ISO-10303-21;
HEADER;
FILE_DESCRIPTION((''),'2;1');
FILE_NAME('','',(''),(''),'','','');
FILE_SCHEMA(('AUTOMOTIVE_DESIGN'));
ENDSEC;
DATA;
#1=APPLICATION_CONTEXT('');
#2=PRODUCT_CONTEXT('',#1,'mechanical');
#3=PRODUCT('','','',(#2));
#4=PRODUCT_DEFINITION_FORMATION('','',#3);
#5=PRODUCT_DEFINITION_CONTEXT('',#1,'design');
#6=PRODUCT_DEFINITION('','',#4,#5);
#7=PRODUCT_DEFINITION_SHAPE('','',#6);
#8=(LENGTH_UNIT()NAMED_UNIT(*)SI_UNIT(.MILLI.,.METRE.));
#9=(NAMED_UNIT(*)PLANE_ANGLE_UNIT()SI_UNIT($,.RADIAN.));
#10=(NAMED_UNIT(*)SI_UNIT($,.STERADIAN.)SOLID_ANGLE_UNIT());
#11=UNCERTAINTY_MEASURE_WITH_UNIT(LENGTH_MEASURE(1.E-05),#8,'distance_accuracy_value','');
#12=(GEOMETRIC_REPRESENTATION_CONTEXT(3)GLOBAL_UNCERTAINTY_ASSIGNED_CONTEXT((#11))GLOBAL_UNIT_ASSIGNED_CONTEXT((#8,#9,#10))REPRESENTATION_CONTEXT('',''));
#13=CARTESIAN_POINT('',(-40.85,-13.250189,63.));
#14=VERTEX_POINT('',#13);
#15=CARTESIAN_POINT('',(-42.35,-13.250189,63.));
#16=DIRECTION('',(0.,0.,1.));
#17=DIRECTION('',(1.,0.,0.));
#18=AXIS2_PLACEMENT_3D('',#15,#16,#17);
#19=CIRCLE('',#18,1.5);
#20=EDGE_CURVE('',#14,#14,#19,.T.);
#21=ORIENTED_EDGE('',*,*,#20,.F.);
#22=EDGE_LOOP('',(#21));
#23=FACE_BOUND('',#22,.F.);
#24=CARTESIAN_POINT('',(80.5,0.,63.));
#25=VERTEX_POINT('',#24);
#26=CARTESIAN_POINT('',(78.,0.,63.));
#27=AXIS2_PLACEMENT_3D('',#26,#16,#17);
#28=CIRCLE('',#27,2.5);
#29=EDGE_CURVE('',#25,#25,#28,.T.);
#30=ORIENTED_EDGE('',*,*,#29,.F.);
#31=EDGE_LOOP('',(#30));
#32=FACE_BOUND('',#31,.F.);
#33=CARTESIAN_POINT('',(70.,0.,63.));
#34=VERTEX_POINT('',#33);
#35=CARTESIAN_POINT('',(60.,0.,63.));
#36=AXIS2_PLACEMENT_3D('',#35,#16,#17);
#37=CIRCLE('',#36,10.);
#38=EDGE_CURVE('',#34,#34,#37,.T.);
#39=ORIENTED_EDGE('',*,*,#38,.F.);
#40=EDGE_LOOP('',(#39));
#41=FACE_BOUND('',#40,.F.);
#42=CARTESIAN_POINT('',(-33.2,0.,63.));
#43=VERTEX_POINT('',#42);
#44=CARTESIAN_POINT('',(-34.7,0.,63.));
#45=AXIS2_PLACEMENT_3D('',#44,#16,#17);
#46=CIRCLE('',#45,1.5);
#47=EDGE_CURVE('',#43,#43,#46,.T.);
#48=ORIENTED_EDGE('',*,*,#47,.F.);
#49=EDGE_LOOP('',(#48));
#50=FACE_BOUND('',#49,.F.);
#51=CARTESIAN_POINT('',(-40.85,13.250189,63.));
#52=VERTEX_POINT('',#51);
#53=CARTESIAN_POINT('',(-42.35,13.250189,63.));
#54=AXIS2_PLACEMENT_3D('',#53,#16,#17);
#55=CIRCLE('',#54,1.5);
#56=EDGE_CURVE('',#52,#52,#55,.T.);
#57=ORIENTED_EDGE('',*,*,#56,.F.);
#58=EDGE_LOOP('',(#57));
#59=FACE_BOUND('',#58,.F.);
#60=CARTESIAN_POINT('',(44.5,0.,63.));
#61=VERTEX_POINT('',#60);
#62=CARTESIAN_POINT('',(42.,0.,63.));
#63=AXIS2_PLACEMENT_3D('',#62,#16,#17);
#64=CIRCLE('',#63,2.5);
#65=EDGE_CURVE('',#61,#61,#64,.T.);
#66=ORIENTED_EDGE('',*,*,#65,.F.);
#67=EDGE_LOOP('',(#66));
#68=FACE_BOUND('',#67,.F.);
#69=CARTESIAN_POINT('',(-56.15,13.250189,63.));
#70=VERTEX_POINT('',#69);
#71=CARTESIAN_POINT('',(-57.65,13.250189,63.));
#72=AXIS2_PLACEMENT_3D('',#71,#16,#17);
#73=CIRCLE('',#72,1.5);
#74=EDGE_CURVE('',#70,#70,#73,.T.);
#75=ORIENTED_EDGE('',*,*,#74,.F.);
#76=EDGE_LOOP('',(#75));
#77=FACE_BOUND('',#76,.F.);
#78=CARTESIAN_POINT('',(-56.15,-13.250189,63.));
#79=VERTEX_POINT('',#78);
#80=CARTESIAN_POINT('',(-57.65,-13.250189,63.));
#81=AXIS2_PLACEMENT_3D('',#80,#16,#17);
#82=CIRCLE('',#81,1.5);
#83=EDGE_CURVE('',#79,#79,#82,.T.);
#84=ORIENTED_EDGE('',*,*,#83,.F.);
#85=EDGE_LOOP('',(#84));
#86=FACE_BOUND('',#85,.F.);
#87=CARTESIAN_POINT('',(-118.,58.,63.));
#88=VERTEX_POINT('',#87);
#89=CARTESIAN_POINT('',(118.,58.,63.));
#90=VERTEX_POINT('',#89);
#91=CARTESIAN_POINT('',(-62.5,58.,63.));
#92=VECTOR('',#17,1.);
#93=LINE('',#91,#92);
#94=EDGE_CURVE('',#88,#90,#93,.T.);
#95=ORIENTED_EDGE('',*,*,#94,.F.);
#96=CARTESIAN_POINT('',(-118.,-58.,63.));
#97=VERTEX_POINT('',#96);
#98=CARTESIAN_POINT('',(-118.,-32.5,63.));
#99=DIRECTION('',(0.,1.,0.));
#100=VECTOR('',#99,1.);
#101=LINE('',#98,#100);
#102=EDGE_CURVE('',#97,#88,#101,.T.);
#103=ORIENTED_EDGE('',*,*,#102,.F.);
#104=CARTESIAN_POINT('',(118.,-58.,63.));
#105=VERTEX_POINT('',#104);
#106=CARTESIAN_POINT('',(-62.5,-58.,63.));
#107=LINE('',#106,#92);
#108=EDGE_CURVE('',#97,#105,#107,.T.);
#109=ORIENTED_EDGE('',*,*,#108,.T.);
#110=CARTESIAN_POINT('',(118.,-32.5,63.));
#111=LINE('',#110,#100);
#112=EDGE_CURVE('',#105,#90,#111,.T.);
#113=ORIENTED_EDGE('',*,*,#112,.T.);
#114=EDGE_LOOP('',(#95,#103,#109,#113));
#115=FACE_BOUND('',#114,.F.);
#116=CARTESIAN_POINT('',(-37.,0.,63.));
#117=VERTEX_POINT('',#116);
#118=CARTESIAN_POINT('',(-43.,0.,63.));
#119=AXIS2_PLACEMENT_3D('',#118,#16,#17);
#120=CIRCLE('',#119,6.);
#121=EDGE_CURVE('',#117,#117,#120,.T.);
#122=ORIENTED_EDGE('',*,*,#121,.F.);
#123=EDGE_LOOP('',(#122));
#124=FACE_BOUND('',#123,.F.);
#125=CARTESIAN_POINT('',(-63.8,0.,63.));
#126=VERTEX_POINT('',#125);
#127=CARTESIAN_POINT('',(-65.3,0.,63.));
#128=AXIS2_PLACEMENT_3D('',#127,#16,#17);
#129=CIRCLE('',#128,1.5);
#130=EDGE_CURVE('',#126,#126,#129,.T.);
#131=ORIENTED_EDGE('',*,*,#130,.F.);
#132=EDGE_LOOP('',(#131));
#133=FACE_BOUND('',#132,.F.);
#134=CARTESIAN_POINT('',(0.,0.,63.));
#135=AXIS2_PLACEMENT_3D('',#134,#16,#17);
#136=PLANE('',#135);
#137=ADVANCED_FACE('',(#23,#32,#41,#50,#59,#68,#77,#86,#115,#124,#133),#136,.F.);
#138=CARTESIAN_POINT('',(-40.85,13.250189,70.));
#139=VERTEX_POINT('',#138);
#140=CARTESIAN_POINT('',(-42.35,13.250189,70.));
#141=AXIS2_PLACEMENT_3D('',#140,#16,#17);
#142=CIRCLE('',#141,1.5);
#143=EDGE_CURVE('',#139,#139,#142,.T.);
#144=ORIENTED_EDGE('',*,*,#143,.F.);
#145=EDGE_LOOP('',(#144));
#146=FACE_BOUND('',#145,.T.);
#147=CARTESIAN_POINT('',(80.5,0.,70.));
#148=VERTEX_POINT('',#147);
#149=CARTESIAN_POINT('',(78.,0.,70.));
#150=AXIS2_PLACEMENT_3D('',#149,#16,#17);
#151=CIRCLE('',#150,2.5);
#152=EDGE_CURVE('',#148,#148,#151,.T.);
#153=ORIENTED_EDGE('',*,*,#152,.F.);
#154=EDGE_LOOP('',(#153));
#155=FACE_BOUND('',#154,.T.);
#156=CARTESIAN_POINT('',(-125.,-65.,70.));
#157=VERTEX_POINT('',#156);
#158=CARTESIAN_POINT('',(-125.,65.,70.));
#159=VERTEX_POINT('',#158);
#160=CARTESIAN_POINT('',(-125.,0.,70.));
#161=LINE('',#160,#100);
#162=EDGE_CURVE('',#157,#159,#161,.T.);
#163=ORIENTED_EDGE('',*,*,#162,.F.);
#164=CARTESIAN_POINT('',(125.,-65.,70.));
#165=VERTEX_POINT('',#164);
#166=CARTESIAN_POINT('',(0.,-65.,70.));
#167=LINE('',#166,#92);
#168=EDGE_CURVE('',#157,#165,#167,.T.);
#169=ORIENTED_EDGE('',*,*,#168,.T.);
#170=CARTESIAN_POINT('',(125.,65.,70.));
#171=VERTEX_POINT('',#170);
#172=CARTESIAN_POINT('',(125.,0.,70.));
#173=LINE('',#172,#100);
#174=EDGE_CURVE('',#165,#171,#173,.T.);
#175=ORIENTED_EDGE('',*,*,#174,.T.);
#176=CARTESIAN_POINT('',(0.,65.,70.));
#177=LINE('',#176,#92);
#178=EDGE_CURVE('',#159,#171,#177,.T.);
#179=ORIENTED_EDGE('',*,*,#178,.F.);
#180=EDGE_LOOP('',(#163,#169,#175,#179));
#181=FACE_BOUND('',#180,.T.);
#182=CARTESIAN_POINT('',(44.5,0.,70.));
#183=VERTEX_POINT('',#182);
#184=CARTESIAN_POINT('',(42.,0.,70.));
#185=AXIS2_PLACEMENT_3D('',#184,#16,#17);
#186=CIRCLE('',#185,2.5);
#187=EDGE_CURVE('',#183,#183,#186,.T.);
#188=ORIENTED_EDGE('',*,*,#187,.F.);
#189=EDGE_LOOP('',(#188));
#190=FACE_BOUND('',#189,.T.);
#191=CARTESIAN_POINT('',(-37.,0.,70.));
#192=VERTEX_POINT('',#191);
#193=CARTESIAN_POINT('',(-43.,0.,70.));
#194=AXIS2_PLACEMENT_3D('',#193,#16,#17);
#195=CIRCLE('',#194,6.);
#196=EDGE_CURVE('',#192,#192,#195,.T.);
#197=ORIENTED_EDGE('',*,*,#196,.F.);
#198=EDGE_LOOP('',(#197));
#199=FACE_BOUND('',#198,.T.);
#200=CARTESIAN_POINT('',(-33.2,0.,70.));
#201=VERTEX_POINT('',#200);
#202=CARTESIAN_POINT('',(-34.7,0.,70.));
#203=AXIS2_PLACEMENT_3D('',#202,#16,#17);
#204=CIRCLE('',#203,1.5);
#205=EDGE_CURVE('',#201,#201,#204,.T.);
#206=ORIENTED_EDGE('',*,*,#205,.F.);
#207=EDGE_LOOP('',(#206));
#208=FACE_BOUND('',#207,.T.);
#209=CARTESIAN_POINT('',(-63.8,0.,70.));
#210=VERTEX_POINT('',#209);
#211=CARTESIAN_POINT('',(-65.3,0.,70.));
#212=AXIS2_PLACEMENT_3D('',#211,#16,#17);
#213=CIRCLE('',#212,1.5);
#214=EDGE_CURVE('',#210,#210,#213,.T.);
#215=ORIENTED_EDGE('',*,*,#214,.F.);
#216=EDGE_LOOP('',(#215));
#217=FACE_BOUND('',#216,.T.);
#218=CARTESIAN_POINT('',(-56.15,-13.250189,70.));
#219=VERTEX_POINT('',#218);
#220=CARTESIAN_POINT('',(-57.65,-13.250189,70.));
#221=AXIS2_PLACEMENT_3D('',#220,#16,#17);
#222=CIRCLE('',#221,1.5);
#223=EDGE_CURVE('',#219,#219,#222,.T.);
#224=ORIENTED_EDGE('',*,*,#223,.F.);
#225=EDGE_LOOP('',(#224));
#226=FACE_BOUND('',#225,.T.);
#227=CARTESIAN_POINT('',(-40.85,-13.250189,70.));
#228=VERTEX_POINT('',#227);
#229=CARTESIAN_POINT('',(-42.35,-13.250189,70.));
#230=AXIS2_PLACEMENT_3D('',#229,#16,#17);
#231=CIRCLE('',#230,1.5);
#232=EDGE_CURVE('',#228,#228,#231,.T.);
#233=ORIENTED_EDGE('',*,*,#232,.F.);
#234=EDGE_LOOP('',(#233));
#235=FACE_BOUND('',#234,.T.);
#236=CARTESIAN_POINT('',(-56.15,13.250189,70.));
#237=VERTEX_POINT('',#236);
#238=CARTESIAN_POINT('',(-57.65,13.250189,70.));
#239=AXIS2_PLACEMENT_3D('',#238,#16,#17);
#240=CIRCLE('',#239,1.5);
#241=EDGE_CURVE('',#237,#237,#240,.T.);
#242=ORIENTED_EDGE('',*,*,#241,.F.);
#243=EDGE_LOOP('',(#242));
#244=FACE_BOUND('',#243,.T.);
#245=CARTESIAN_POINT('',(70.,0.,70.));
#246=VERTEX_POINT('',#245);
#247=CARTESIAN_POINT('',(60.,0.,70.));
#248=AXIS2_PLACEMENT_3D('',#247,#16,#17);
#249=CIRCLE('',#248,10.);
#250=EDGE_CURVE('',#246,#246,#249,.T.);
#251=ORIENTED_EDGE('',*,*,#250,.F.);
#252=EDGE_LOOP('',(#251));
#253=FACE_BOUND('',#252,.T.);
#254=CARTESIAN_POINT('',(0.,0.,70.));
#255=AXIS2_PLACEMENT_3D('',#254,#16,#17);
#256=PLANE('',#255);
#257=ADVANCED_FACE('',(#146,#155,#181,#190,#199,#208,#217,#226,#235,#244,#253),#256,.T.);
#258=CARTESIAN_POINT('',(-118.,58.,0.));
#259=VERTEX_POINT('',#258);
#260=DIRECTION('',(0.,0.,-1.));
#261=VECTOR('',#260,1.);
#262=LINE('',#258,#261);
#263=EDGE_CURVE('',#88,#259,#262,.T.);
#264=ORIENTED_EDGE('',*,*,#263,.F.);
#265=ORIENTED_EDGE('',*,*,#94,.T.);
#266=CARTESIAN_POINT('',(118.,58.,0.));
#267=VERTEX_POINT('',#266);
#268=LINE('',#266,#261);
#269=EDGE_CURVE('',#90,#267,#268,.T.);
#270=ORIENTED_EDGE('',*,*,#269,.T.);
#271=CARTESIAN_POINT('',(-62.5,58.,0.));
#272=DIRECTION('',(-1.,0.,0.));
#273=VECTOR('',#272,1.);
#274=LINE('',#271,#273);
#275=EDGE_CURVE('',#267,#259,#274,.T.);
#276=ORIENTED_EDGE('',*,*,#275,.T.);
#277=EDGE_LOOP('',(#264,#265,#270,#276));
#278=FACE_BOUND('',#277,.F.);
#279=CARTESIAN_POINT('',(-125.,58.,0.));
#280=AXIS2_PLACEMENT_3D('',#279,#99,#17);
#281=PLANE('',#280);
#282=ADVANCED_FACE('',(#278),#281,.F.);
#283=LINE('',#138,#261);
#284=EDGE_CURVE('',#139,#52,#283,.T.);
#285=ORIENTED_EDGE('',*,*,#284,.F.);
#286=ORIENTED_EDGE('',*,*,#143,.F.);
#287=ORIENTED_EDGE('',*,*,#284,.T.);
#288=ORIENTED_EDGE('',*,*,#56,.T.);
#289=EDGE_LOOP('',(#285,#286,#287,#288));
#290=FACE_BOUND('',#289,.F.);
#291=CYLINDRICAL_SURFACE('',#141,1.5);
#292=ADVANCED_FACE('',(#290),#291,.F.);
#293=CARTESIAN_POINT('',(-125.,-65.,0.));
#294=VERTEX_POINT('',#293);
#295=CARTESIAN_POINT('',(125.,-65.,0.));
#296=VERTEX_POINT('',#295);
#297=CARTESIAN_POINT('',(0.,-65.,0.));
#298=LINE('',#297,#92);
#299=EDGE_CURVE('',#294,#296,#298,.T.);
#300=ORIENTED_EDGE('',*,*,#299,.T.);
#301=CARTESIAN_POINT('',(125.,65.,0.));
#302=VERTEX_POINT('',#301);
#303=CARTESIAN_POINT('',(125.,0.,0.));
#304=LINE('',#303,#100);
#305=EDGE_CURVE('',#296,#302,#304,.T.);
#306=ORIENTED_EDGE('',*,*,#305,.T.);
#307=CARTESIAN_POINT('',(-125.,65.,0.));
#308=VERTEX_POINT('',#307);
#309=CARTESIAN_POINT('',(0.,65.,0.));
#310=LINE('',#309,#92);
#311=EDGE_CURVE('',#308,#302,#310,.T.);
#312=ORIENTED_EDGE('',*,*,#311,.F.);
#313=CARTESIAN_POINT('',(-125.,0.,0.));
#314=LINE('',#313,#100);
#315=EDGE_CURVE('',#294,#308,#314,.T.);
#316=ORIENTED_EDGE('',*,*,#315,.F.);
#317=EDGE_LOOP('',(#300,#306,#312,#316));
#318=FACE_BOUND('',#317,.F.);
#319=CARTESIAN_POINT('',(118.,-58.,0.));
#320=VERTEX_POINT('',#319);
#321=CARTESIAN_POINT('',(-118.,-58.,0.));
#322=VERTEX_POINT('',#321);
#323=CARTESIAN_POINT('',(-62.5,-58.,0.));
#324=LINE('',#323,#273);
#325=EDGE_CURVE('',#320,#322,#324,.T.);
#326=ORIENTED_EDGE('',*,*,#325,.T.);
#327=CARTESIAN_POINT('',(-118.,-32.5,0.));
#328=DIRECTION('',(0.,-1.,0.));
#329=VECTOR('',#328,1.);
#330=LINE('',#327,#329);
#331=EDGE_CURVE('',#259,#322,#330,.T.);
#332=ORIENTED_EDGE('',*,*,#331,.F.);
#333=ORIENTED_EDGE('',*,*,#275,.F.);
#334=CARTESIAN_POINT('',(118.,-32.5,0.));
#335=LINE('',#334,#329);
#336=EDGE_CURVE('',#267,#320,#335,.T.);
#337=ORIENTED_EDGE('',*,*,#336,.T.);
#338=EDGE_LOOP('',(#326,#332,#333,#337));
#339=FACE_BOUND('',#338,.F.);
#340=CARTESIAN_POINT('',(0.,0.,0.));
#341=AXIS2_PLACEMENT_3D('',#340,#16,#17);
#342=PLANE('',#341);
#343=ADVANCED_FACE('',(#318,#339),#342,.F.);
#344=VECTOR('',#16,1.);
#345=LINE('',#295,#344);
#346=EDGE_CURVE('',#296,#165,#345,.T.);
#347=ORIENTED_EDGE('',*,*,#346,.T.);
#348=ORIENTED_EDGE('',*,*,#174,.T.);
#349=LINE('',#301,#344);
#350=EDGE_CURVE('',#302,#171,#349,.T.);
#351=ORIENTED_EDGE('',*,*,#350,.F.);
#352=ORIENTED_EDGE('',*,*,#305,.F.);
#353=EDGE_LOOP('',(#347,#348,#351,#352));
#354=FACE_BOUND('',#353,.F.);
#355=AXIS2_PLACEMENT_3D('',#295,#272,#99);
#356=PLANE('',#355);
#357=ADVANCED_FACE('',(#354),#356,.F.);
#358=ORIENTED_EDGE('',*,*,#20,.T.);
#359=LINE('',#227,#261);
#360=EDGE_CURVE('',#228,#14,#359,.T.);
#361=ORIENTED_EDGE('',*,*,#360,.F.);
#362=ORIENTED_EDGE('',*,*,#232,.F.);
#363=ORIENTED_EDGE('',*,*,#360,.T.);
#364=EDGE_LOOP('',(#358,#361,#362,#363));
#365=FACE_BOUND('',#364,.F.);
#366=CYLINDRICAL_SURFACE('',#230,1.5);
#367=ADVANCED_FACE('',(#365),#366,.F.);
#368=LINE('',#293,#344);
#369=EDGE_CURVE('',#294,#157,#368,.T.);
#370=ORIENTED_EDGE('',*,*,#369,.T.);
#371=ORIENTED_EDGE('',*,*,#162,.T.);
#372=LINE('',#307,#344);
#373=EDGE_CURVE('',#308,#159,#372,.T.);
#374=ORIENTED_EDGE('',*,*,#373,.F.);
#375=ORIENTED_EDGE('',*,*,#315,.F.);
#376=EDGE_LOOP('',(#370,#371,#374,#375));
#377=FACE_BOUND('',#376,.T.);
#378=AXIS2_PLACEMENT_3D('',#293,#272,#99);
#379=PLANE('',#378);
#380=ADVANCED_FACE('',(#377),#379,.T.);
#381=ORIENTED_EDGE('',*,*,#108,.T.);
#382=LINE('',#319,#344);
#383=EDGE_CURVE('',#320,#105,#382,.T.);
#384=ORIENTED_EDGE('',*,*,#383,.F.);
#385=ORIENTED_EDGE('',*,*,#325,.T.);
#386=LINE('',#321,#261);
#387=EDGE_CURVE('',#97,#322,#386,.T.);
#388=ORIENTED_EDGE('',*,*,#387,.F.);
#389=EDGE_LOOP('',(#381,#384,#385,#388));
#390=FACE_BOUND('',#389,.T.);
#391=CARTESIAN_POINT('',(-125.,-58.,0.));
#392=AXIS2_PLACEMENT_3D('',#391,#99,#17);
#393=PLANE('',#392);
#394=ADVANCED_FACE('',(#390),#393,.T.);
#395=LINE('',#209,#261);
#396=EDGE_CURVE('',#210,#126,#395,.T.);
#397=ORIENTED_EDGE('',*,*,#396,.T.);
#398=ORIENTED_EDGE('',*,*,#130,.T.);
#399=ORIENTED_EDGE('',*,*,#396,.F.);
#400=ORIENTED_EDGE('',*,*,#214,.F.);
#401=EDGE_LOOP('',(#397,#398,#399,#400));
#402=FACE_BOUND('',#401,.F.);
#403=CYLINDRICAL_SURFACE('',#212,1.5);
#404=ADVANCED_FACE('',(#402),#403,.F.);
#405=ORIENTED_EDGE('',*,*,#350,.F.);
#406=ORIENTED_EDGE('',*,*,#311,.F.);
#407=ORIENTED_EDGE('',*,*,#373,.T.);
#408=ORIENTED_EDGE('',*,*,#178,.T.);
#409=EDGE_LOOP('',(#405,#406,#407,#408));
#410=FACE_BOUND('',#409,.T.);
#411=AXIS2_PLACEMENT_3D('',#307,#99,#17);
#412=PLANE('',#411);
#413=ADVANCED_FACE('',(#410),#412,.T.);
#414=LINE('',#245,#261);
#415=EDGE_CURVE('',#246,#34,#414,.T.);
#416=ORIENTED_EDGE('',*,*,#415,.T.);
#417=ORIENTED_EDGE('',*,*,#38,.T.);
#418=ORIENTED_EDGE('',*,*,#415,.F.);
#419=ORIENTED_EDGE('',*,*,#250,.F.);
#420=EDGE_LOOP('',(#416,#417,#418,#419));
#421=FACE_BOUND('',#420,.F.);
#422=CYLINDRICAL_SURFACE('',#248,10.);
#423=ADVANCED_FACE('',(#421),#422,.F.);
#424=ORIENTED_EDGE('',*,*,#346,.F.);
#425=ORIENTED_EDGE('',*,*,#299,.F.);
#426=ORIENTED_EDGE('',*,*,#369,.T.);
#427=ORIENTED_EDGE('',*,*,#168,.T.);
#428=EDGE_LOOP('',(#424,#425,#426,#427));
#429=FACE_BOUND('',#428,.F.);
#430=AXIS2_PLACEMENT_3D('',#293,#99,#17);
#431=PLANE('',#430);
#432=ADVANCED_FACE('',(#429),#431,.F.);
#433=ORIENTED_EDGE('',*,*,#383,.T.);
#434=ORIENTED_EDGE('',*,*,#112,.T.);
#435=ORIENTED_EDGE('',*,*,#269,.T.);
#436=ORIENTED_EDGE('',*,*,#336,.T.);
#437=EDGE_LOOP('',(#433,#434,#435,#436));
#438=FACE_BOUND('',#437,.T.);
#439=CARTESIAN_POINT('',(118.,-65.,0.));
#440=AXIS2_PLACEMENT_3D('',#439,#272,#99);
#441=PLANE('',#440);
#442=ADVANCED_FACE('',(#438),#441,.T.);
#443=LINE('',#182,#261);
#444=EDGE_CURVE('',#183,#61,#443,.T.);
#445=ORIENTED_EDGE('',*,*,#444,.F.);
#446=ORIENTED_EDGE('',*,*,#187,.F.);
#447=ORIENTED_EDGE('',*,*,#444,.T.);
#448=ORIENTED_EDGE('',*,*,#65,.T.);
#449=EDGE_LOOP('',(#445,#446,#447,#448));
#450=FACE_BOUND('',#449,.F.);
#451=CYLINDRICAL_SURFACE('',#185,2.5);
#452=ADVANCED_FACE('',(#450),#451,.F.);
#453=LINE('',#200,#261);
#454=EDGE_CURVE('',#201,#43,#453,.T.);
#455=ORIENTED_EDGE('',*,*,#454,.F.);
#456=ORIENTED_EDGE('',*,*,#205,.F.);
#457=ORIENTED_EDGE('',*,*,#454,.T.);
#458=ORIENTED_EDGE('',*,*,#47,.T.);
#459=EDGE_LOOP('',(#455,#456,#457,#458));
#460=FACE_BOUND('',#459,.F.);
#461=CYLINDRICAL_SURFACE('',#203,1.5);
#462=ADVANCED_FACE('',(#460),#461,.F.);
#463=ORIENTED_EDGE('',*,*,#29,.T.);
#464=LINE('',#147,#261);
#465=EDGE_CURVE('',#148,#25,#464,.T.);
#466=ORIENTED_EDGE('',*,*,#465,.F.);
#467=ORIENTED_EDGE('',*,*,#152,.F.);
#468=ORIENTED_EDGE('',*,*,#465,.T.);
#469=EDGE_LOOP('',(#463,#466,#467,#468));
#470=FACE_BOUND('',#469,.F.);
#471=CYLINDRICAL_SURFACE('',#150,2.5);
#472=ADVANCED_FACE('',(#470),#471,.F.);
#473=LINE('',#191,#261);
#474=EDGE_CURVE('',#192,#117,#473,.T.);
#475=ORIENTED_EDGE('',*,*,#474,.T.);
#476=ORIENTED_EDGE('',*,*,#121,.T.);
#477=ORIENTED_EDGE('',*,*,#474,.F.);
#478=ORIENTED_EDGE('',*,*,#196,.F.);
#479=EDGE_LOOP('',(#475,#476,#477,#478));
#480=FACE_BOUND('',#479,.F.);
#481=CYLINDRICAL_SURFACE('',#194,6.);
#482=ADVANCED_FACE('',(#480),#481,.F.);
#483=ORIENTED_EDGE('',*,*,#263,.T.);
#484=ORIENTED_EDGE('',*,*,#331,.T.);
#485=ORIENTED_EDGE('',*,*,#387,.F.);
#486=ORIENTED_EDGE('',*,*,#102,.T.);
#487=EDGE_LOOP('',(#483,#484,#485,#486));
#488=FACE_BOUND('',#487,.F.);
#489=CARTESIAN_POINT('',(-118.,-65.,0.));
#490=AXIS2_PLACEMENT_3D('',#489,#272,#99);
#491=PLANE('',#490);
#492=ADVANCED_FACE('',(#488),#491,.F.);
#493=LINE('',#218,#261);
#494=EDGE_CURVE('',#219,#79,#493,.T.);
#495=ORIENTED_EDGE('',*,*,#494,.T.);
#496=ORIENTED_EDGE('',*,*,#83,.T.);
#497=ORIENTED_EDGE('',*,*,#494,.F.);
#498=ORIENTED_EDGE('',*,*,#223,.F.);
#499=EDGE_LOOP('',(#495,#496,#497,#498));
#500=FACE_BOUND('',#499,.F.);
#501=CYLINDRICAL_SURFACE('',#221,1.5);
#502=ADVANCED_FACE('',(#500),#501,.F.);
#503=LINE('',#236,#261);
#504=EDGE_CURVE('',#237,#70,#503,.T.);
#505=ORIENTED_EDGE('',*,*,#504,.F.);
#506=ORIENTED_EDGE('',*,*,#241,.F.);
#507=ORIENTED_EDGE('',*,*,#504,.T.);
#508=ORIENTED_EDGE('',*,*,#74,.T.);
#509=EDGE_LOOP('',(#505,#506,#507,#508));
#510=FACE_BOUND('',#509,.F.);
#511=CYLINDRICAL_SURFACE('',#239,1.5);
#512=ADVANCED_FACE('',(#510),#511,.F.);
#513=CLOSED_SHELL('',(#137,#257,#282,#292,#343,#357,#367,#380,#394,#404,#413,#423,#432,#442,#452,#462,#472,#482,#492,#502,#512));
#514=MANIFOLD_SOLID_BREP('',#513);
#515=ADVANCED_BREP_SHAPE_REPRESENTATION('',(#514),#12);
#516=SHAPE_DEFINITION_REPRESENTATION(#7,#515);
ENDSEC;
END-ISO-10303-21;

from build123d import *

# Parameters (mm, degrees)
SKETCH1_W           = 250
SKETCH1_H           = 130
BOSS_EXTRUDE1_DEPTH = 70
SHELL1_T            = -7
SKETCH2_R           = 10
SKETCH2_R_2         = 2.5
SKETCH2_R_3         = 1.5
SKETCH2_R_4         = 6
CUT_EXTRUDE1_DEPTH  = 90


with BuildPart() as part:
    # Sketch1 → Boss-Extrude1 (new body)
    with BuildSketch(Plane.XY):
        Rectangle(SKETCH1_W, SKETCH1_H)
    extrude(amount=BOSS_EXTRUDE1_DEPTH)

    # Shell1
    shell1_openings = [part.faces().sort_by_distance(p)[0] for p in [
        (0, 0, 0),
    ]]
    offset(amount=SHELL1_T, openings=shell1_openings, kind=Kind.INTERSECTION)

    # Sketch2 → Cut-Extrude1 (cut)
    with BuildSketch(Plane.XY.offset(70)):
        with Locations((60, 0)):
            Circle(SKETCH2_R)
        with Locations((42, 0)):
            Circle(SKETCH2_R_2)
        with Locations((78, 0)):
            Circle(SKETCH2_R_2)
        with Locations((-34.7, 0)):
            Circle(SKETCH2_R_3)
        with Locations((-42.35, -13.250188678)):
            Circle(SKETCH2_R_3)
        with Locations((-57.65, -13.250188678)):
            Circle(SKETCH2_R_3)
        with Locations((-65.3, 0)):
            Circle(SKETCH2_R_3)
        with Locations((-57.65, 13.250188678)):
            Circle(SKETCH2_R_3)
        with Locations((-42.35, 13.250188678)):
            Circle(SKETCH2_R_3)
        with Locations((-43, 0)):
            Circle(SKETCH2_R_4)
    extrude(amount=-CUT_EXTRUDE1_DEPTH, mode=Mode.SUBTRACT)


solid = part.part
